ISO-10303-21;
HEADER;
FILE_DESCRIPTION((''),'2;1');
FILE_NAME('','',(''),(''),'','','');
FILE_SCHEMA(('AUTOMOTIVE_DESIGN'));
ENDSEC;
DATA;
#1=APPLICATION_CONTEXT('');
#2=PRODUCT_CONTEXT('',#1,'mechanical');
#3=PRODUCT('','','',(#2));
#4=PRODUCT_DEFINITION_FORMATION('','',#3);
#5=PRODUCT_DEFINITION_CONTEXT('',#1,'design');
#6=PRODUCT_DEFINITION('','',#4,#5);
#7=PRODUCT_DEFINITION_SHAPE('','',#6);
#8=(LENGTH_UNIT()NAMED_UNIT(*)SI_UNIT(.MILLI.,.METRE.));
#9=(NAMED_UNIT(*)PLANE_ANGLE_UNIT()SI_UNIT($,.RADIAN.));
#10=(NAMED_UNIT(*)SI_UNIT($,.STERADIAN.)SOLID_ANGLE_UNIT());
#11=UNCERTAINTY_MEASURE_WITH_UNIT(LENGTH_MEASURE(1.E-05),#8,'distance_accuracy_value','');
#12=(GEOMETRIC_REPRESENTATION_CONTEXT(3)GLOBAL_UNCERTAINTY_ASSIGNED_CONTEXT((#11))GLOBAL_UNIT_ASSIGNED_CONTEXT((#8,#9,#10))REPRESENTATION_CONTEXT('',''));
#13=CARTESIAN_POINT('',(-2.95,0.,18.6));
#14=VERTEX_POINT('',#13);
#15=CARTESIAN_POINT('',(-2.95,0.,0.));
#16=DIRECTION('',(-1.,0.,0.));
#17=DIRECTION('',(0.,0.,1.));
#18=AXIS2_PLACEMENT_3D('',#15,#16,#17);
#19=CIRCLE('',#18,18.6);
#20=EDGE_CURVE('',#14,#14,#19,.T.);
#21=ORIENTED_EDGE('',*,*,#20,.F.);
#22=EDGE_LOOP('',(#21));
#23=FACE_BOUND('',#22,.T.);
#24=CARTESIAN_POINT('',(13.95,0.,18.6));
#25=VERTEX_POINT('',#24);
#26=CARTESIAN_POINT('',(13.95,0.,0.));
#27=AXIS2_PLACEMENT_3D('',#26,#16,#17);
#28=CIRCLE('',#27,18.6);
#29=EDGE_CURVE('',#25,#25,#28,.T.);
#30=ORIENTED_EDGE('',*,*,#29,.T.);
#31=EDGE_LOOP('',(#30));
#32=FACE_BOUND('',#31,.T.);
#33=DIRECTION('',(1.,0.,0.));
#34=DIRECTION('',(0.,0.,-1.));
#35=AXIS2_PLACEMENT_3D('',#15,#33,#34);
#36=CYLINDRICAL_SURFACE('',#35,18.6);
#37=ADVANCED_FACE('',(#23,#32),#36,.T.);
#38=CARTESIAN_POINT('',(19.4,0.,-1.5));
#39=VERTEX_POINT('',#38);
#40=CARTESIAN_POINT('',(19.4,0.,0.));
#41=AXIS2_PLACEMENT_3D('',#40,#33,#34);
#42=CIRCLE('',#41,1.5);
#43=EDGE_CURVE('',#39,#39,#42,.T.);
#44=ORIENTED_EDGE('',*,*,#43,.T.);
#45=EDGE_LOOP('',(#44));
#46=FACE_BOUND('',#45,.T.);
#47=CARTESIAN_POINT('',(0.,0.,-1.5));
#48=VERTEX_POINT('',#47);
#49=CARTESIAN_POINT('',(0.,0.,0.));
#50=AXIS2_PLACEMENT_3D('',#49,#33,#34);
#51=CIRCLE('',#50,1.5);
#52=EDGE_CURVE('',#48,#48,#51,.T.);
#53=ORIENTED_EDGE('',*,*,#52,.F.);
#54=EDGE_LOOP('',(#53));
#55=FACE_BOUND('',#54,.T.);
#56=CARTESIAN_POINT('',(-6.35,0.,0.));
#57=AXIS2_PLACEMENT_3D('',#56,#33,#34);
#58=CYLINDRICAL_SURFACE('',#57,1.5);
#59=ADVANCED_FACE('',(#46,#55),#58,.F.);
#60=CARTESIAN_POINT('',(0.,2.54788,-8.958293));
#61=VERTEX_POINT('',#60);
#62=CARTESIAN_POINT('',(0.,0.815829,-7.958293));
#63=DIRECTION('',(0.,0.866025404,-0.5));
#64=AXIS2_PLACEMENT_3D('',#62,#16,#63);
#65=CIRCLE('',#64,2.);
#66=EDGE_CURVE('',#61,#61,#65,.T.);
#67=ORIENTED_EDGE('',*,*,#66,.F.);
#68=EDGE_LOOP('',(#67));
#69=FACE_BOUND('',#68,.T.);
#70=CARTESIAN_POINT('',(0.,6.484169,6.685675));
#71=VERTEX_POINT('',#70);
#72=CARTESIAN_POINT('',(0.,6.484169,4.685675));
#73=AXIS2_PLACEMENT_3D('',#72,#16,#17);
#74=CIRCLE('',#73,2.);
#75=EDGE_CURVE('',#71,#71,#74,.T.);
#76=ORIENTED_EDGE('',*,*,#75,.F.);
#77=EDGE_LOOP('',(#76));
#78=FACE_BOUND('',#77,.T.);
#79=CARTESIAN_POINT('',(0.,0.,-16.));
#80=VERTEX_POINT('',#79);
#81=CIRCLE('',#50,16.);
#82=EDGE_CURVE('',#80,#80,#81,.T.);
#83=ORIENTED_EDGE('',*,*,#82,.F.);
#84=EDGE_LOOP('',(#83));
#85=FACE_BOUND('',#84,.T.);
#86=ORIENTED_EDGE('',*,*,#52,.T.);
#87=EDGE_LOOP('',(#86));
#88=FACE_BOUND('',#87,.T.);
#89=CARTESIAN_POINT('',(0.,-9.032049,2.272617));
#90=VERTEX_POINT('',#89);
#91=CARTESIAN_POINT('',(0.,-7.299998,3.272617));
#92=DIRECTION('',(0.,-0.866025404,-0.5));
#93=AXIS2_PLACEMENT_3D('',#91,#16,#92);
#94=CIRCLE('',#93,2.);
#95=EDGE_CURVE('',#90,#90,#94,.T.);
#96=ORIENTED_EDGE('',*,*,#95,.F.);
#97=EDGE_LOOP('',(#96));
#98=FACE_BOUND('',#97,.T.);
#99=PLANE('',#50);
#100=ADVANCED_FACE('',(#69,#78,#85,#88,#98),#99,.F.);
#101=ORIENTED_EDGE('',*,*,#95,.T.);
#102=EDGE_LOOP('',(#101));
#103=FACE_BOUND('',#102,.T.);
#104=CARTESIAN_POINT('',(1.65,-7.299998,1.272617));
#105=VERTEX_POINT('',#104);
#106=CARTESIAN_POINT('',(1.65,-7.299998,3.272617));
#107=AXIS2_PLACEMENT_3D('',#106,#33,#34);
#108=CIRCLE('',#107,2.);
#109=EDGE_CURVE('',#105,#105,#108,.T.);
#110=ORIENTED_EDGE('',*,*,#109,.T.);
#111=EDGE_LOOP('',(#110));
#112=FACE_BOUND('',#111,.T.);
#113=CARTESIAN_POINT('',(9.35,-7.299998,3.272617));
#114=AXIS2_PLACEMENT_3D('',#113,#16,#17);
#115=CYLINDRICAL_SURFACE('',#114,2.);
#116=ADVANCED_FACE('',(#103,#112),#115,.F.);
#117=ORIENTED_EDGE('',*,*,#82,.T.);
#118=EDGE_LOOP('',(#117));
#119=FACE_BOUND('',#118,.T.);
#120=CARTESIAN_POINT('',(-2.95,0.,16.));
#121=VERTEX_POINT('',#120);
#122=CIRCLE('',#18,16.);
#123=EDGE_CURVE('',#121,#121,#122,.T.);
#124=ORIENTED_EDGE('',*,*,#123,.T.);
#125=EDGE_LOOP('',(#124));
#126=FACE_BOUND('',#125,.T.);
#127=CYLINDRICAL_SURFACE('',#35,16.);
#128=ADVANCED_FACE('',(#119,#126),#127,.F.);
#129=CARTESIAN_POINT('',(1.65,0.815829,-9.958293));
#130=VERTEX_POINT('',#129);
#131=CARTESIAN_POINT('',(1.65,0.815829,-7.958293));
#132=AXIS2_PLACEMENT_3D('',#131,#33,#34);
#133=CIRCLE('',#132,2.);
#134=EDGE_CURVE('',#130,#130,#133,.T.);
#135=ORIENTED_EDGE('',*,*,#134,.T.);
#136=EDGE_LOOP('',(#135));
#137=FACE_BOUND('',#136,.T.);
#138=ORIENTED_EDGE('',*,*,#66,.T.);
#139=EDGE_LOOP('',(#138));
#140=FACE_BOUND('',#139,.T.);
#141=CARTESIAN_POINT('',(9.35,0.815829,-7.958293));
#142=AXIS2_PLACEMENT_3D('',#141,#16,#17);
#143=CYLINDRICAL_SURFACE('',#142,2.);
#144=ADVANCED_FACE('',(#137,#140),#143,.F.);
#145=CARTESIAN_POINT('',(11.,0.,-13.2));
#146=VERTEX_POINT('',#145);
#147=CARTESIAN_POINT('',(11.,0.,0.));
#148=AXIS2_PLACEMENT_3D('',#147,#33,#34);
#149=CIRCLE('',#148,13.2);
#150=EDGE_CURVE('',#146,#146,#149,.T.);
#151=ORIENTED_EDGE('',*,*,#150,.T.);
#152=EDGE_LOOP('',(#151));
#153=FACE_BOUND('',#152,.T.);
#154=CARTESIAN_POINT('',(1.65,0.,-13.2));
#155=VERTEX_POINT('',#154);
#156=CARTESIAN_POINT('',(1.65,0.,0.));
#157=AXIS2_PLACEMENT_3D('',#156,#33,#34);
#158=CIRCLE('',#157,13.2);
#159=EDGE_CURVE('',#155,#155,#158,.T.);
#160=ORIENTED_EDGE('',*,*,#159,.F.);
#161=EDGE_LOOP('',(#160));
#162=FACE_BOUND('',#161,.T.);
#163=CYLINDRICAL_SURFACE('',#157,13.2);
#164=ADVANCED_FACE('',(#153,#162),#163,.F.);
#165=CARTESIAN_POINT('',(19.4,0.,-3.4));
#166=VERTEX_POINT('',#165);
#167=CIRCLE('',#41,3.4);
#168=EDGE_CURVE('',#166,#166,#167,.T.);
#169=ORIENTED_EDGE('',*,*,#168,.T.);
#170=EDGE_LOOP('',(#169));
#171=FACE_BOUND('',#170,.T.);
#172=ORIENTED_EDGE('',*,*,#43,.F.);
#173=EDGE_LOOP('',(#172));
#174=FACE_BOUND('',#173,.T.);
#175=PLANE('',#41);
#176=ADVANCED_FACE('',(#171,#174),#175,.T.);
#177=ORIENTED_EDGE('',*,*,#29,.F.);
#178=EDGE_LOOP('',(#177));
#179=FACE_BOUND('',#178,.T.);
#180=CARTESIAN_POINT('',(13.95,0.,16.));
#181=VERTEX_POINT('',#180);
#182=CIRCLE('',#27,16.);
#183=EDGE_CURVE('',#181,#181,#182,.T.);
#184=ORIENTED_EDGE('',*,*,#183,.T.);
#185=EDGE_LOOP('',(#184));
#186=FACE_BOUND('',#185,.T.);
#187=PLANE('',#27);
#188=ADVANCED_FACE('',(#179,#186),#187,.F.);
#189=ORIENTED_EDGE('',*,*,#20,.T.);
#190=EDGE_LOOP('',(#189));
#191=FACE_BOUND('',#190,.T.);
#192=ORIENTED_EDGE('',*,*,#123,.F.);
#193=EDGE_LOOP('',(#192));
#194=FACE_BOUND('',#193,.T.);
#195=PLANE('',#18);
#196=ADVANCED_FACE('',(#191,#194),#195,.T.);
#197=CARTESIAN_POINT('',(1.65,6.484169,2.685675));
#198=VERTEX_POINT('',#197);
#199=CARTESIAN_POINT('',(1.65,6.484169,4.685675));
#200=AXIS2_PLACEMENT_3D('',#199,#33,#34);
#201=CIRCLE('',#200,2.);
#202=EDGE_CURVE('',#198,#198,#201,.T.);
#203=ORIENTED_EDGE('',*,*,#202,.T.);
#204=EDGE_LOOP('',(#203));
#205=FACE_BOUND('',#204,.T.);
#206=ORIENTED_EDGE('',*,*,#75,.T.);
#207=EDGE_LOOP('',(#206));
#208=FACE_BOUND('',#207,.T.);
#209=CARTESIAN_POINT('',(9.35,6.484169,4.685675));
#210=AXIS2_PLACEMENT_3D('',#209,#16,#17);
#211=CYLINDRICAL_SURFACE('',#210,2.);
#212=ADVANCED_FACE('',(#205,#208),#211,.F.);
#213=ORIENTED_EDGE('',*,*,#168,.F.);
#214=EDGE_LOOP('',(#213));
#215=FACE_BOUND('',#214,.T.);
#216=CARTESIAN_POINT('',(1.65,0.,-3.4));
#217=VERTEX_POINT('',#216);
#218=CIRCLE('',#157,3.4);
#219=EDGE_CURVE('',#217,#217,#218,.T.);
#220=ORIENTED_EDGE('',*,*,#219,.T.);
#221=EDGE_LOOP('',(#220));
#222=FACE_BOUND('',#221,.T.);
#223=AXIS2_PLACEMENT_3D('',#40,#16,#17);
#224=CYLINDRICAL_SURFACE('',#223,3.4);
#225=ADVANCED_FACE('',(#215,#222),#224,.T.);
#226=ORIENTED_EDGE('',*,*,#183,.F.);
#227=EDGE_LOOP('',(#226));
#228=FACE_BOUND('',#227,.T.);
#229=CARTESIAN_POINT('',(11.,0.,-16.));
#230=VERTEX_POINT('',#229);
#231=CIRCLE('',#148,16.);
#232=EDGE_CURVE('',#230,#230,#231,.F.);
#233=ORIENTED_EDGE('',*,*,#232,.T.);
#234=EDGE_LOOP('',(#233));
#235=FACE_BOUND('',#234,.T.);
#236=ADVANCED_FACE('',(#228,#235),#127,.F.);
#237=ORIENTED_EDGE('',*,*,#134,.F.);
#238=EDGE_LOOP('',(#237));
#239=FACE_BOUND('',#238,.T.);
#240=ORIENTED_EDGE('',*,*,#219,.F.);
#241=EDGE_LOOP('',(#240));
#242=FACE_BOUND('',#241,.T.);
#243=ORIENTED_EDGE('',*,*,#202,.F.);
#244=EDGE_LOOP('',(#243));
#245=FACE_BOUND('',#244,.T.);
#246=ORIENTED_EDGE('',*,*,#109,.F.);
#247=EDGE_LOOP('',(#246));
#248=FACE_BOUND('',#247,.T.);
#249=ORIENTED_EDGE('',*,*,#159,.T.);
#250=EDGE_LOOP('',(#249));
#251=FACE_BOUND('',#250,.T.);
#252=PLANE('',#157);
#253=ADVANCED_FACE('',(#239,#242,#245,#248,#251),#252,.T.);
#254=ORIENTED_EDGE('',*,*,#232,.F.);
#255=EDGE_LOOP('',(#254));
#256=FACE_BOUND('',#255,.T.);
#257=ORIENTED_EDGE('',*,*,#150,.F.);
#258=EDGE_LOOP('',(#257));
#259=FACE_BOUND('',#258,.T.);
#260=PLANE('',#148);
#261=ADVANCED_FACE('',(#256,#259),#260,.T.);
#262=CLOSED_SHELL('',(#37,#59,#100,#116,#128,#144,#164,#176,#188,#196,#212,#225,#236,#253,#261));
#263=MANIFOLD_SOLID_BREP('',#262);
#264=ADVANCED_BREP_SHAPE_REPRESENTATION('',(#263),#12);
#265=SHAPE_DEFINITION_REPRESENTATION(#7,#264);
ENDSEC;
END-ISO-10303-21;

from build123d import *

# Parameters (mm, degrees)
SKETCH_1_R               = 16
EXTRUDE_1_DEPTH          = 11
SKETCH_2_R               = 13.2
CUT_EXTRUDE_1_DEPTH      = 9.35
SKETCH_3_R               = 2
CUT_EXTRUDE_3_DEPTH      = 9.35
PATTERN_CIRCULAR_3_COUNT = 3
SKETCH_4_R               = 3.4
EXTRUDE_2_DEPTH          = 17.75
SKETCH_5_R               = 1.5
CUT_EXTRUDE_4_DEPTH      = 25.75
SKETCH_6_R               = 18.6
SKETCH_6_R_2             = 16
EXTRUDE_4_DEPTH          = 2.95
EXTRUDE_4_DEPTH_BACK     = 13.95


with BuildPart() as part:
    # ｽｹｯﾁ1 → ﾎﾞｽ - 押し出し1 (new body)
    with BuildSketch(Plane(origin=(0, 0, 0), x_dir=(0, 0, -1), z_dir=(1, 0, 0))):
        Circle(SKETCH_1_R)
    extrude(amount=EXTRUDE_1_DEPTH)

    # ｽｹｯﾁ2 → ｶｯﾄ - 押し出し1 (cut)
    with BuildSketch(Plane(origin=(11, 0, 0), x_dir=(0, 0, -1), z_dir=(1, 0, 0))):
        Circle(SKETCH_2_R)
    extrude(amount=-CUT_EXTRUDE_1_DEPTH, mode=Mode.SUBTRACT)

    # ｽｹｯﾁ3 → ｶｯﾄ - 押し出し3 (cut)
    with BuildSketch(Plane.ZY):
        with Locations((4.685675375, 6.484168897)):
            Circle(SKETCH_3_R)
    cut_extrude_3 = extrude(amount=-CUT_EXTRUDE_3_DEPTH, mode=Mode.SUBTRACT)

    # 円形ﾊﾟﾀｰﾝ3: ｶｯﾄ - 押し出し3 ×3 about axis
    pattern_circular_3_axis = Axis((0, 0, 0), (1, 0, 0))
    for i in range(1, PATTERN_CIRCULAR_3_COUNT):
        add(cut_extrude_3.rotate(pattern_circular_3_axis, i * 360 / PATTERN_CIRCULAR_3_COUNT), mode=Mode.SUBTRACT)

    # ｽｹｯﾁ4 → ﾎﾞｽ - 押し出し2 (add)
    with BuildSketch(Plane(origin=(1.65, 0, 0), x_dir=(0, 0, -1), z_dir=(1, 0, 0))):
        Circle(SKETCH_4_R)
    extrude(amount=EXTRUDE_2_DEPTH)

    # ｽｹｯﾁ5 → ｶｯﾄ - 押し出し4 (cut)
    with BuildSketch(Plane(origin=(19.4, 0, 0), x_dir=(0, 0, -1), z_dir=(1, 0, 0))):
        Circle(SKETCH_5_R)
    extrude(amount=-CUT_EXTRUDE_4_DEPTH, mode=Mode.SUBTRACT)

    # ｽｹｯﾁ6 → ﾎﾞｽ - 押し出し4 (add, two sides)
    with BuildSketch(Plane.ZY) as extrude_4_sk:
        Circle(SKETCH_6_R)
        Circle(SKETCH_6_R_2, mode=Mode.SUBTRACT)
    extrude(amount=EXTRUDE_4_DEPTH)
    extrude(extrude_4_sk.sketch, amount=-EXTRUDE_4_DEPTH_BACK)


solid = part.part
